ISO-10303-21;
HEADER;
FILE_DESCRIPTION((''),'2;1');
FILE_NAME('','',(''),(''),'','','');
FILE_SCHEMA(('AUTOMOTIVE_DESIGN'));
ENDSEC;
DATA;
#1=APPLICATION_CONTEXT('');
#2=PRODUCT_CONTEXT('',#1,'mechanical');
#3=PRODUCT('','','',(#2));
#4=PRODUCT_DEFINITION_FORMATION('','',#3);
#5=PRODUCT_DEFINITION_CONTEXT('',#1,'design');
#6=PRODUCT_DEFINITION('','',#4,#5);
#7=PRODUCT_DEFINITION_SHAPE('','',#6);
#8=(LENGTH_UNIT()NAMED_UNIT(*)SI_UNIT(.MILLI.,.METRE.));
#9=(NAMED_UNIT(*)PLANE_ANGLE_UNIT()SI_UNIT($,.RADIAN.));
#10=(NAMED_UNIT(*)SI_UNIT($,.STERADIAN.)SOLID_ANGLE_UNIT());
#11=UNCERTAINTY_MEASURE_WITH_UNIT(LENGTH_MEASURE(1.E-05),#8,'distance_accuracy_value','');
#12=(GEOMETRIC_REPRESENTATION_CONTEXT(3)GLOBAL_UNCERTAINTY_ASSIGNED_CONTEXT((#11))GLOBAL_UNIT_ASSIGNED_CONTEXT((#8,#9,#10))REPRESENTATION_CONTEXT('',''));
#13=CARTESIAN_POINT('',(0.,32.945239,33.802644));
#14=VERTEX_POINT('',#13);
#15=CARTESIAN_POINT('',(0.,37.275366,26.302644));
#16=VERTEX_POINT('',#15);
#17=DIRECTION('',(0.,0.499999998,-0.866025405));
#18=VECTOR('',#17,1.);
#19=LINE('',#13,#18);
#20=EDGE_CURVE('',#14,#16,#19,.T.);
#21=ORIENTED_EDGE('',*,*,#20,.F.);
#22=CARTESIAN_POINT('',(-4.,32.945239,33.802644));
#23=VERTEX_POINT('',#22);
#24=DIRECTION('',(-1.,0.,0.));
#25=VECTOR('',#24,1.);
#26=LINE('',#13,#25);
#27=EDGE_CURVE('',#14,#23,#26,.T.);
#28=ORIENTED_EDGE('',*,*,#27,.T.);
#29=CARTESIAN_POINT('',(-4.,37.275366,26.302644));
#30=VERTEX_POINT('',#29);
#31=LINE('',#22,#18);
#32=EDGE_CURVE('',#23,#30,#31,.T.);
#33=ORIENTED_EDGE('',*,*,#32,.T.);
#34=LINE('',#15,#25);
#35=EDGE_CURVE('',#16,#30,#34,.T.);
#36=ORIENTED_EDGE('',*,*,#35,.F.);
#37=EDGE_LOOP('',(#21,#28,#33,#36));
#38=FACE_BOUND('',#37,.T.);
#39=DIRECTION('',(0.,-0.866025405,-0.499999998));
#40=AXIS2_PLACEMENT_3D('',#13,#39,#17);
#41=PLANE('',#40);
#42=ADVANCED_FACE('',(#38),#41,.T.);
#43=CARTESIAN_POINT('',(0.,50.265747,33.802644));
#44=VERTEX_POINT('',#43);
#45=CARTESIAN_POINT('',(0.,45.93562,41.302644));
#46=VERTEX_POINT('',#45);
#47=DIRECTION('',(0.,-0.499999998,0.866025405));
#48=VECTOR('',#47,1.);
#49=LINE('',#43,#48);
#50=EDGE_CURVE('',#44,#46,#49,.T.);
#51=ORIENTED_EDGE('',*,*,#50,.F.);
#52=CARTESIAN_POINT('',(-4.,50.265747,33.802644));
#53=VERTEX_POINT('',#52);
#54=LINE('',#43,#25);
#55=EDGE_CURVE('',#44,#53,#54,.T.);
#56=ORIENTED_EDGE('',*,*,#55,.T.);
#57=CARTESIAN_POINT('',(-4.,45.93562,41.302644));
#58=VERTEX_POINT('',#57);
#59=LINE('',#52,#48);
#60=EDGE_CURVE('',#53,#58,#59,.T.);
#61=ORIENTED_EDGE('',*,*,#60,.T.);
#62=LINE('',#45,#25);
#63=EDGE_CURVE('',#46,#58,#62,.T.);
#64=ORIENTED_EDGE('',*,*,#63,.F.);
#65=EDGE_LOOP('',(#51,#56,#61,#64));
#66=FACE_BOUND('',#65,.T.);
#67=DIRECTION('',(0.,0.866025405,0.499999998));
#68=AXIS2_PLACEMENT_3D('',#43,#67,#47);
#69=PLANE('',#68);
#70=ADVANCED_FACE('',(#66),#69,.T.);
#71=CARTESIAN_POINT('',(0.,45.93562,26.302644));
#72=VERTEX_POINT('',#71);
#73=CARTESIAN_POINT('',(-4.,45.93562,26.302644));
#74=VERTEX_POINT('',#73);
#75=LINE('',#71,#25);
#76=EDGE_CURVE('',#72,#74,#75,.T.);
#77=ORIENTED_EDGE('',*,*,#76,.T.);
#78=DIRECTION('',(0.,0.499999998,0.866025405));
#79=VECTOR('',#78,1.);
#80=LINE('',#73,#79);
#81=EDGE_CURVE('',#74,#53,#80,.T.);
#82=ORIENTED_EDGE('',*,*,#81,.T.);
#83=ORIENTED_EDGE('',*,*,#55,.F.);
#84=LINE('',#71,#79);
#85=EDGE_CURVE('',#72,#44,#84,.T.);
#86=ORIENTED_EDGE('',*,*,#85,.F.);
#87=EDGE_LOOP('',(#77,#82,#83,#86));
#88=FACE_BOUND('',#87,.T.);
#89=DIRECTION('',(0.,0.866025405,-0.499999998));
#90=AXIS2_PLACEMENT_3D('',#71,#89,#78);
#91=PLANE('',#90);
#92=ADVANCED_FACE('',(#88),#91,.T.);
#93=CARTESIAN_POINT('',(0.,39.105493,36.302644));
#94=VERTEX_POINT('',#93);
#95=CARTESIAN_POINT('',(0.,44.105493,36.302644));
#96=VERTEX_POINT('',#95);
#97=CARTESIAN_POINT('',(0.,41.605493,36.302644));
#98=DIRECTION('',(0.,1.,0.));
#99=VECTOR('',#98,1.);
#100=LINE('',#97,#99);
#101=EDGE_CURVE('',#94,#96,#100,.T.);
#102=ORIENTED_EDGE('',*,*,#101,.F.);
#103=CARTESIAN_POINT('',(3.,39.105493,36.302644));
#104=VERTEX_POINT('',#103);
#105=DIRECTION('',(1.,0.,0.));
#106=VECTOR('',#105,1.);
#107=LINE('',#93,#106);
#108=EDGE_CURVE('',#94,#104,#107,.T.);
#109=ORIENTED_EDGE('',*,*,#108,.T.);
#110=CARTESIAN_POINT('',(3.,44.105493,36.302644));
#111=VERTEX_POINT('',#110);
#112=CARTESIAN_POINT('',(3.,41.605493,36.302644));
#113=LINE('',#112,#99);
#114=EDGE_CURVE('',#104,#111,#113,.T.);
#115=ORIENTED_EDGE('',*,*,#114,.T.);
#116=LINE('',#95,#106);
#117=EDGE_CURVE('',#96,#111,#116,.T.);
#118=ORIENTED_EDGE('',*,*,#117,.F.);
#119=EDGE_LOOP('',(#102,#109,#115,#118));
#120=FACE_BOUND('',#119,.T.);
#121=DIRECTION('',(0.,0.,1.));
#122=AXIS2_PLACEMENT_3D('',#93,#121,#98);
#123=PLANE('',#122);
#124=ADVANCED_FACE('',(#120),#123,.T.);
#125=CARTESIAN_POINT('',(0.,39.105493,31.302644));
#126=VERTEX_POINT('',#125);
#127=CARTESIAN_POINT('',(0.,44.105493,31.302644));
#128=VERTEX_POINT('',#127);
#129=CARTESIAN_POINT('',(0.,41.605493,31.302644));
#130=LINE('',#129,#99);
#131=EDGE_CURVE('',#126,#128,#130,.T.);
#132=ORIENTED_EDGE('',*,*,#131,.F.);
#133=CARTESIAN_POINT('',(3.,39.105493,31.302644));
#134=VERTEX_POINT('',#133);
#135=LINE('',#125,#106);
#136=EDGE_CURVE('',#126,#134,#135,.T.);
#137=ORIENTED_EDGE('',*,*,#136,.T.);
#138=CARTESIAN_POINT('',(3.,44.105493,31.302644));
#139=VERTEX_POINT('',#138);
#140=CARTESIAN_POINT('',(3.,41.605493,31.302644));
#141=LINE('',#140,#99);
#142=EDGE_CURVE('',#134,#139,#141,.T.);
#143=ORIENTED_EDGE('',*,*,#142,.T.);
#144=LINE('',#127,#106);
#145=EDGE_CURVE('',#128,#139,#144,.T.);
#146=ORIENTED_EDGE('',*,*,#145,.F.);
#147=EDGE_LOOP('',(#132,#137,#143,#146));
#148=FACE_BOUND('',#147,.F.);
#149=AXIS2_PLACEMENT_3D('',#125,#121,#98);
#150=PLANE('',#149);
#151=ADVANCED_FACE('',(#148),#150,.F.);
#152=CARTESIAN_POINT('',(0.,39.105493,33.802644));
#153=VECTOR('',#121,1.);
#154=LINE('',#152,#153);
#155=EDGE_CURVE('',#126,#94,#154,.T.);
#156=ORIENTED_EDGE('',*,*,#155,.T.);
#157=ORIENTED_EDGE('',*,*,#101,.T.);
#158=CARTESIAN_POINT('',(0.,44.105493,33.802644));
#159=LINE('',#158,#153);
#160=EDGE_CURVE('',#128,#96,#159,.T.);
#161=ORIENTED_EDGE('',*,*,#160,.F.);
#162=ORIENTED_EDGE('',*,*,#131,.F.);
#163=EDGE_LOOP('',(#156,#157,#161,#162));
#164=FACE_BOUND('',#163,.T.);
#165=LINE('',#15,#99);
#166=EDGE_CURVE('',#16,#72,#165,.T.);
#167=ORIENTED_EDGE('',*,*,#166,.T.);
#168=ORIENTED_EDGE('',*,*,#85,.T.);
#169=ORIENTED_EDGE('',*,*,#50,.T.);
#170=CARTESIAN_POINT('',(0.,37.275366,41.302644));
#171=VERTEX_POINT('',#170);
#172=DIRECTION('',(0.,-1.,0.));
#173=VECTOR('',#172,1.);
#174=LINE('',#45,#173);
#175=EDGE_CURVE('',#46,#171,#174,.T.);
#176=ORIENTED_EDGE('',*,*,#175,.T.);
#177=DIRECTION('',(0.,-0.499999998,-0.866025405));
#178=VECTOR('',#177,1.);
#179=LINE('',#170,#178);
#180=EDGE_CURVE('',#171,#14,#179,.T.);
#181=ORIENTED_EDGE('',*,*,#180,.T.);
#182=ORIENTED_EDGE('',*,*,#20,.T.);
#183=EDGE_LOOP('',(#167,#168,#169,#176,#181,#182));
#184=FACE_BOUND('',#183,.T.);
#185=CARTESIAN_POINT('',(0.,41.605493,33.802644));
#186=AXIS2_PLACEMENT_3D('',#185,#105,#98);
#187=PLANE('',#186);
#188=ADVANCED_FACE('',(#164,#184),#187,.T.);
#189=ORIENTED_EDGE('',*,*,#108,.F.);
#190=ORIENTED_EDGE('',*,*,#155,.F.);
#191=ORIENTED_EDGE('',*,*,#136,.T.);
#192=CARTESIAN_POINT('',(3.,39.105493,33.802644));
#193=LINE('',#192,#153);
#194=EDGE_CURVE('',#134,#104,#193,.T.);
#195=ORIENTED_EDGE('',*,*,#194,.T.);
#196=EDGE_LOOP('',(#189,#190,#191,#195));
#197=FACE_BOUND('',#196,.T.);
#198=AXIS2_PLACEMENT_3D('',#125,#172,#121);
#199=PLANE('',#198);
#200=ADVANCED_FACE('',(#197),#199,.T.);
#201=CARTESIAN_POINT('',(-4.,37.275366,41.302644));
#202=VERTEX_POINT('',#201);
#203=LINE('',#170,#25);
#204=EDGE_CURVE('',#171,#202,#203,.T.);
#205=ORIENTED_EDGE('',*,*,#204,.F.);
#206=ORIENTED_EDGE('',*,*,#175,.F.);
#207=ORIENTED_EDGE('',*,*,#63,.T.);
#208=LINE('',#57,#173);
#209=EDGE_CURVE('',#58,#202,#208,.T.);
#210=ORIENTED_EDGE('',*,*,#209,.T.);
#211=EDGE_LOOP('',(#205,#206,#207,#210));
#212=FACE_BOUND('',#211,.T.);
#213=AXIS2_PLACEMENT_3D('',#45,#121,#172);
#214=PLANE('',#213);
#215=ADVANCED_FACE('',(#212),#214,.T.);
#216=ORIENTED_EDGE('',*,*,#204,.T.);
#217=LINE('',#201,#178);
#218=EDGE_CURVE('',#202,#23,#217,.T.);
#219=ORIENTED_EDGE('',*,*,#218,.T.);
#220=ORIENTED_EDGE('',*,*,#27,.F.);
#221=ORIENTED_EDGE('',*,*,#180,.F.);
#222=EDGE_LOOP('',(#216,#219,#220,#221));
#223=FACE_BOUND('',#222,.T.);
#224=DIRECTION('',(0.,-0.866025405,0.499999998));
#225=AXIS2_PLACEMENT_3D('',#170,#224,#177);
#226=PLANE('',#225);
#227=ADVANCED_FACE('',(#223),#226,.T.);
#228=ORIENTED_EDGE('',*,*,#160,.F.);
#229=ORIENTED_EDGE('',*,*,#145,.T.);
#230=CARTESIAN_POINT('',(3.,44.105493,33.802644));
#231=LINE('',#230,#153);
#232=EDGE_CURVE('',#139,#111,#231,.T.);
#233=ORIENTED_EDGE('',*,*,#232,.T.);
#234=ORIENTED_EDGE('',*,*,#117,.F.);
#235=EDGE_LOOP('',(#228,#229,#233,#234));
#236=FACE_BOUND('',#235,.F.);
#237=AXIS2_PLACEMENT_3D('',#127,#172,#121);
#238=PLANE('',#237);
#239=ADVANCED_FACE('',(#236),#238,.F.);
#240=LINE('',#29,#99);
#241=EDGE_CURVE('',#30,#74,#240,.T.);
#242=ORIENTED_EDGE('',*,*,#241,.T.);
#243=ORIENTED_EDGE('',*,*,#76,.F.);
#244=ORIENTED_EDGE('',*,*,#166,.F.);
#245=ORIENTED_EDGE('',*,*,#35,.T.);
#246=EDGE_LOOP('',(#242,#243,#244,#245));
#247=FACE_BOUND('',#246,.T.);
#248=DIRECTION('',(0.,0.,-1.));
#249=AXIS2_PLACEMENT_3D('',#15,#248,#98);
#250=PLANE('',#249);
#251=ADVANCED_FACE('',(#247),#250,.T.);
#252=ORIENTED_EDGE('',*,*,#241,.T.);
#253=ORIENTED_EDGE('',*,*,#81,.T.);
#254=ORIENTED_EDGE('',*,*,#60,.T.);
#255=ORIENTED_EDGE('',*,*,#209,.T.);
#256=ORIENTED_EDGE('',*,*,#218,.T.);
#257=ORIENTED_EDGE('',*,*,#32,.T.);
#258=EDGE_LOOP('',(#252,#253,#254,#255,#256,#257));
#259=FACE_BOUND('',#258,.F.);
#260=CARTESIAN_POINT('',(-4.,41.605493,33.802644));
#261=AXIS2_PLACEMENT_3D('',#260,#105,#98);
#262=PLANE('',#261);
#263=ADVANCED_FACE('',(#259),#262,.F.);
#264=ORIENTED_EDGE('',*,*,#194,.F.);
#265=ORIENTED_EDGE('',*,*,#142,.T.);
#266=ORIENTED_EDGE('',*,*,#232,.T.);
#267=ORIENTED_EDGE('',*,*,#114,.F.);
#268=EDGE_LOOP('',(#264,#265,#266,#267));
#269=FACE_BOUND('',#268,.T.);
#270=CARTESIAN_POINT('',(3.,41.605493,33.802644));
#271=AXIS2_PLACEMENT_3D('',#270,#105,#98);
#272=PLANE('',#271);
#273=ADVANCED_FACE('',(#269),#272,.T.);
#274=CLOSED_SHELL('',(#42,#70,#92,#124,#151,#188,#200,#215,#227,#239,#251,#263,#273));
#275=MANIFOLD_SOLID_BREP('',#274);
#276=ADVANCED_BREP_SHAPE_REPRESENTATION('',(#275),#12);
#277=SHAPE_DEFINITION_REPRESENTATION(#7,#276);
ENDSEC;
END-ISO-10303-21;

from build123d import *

# Parameters (mm, degrees)
F0_W     = 5
F0_H     = 5
F1_DEPTH = 3
F2_DEPTH = 4


with BuildPart() as f1:
    # F0 (on Right) → F1 (new body)
    with BuildSketch(Plane.YZ):
        with Locations((41.605493, 33.802644)):
            Rectangle(F0_W, F0_H)
    extrude(amount=F1_DEPTH)

    # F0 (on Right) → F2 (join)
    with BuildSketch(Plane.YZ):
        Polygon((45.93562, 41.302644), (37.275366, 41.302644), (32.945239, 33.802644), (37.275366, 26.302644), (45.93562, 26.302644), (50.265747, 33.802644), align=None)
        with Locations((41.605493, 33.802644)):
            Rectangle(F0_W, F0_H, mode=Mode.SUBTRACT)
        with Locations((41.605493, 33.802644)):
            Rectangle(F0_W, F0_H)
    extrude(amount=-F2_DEPTH)


solid = f1.part
